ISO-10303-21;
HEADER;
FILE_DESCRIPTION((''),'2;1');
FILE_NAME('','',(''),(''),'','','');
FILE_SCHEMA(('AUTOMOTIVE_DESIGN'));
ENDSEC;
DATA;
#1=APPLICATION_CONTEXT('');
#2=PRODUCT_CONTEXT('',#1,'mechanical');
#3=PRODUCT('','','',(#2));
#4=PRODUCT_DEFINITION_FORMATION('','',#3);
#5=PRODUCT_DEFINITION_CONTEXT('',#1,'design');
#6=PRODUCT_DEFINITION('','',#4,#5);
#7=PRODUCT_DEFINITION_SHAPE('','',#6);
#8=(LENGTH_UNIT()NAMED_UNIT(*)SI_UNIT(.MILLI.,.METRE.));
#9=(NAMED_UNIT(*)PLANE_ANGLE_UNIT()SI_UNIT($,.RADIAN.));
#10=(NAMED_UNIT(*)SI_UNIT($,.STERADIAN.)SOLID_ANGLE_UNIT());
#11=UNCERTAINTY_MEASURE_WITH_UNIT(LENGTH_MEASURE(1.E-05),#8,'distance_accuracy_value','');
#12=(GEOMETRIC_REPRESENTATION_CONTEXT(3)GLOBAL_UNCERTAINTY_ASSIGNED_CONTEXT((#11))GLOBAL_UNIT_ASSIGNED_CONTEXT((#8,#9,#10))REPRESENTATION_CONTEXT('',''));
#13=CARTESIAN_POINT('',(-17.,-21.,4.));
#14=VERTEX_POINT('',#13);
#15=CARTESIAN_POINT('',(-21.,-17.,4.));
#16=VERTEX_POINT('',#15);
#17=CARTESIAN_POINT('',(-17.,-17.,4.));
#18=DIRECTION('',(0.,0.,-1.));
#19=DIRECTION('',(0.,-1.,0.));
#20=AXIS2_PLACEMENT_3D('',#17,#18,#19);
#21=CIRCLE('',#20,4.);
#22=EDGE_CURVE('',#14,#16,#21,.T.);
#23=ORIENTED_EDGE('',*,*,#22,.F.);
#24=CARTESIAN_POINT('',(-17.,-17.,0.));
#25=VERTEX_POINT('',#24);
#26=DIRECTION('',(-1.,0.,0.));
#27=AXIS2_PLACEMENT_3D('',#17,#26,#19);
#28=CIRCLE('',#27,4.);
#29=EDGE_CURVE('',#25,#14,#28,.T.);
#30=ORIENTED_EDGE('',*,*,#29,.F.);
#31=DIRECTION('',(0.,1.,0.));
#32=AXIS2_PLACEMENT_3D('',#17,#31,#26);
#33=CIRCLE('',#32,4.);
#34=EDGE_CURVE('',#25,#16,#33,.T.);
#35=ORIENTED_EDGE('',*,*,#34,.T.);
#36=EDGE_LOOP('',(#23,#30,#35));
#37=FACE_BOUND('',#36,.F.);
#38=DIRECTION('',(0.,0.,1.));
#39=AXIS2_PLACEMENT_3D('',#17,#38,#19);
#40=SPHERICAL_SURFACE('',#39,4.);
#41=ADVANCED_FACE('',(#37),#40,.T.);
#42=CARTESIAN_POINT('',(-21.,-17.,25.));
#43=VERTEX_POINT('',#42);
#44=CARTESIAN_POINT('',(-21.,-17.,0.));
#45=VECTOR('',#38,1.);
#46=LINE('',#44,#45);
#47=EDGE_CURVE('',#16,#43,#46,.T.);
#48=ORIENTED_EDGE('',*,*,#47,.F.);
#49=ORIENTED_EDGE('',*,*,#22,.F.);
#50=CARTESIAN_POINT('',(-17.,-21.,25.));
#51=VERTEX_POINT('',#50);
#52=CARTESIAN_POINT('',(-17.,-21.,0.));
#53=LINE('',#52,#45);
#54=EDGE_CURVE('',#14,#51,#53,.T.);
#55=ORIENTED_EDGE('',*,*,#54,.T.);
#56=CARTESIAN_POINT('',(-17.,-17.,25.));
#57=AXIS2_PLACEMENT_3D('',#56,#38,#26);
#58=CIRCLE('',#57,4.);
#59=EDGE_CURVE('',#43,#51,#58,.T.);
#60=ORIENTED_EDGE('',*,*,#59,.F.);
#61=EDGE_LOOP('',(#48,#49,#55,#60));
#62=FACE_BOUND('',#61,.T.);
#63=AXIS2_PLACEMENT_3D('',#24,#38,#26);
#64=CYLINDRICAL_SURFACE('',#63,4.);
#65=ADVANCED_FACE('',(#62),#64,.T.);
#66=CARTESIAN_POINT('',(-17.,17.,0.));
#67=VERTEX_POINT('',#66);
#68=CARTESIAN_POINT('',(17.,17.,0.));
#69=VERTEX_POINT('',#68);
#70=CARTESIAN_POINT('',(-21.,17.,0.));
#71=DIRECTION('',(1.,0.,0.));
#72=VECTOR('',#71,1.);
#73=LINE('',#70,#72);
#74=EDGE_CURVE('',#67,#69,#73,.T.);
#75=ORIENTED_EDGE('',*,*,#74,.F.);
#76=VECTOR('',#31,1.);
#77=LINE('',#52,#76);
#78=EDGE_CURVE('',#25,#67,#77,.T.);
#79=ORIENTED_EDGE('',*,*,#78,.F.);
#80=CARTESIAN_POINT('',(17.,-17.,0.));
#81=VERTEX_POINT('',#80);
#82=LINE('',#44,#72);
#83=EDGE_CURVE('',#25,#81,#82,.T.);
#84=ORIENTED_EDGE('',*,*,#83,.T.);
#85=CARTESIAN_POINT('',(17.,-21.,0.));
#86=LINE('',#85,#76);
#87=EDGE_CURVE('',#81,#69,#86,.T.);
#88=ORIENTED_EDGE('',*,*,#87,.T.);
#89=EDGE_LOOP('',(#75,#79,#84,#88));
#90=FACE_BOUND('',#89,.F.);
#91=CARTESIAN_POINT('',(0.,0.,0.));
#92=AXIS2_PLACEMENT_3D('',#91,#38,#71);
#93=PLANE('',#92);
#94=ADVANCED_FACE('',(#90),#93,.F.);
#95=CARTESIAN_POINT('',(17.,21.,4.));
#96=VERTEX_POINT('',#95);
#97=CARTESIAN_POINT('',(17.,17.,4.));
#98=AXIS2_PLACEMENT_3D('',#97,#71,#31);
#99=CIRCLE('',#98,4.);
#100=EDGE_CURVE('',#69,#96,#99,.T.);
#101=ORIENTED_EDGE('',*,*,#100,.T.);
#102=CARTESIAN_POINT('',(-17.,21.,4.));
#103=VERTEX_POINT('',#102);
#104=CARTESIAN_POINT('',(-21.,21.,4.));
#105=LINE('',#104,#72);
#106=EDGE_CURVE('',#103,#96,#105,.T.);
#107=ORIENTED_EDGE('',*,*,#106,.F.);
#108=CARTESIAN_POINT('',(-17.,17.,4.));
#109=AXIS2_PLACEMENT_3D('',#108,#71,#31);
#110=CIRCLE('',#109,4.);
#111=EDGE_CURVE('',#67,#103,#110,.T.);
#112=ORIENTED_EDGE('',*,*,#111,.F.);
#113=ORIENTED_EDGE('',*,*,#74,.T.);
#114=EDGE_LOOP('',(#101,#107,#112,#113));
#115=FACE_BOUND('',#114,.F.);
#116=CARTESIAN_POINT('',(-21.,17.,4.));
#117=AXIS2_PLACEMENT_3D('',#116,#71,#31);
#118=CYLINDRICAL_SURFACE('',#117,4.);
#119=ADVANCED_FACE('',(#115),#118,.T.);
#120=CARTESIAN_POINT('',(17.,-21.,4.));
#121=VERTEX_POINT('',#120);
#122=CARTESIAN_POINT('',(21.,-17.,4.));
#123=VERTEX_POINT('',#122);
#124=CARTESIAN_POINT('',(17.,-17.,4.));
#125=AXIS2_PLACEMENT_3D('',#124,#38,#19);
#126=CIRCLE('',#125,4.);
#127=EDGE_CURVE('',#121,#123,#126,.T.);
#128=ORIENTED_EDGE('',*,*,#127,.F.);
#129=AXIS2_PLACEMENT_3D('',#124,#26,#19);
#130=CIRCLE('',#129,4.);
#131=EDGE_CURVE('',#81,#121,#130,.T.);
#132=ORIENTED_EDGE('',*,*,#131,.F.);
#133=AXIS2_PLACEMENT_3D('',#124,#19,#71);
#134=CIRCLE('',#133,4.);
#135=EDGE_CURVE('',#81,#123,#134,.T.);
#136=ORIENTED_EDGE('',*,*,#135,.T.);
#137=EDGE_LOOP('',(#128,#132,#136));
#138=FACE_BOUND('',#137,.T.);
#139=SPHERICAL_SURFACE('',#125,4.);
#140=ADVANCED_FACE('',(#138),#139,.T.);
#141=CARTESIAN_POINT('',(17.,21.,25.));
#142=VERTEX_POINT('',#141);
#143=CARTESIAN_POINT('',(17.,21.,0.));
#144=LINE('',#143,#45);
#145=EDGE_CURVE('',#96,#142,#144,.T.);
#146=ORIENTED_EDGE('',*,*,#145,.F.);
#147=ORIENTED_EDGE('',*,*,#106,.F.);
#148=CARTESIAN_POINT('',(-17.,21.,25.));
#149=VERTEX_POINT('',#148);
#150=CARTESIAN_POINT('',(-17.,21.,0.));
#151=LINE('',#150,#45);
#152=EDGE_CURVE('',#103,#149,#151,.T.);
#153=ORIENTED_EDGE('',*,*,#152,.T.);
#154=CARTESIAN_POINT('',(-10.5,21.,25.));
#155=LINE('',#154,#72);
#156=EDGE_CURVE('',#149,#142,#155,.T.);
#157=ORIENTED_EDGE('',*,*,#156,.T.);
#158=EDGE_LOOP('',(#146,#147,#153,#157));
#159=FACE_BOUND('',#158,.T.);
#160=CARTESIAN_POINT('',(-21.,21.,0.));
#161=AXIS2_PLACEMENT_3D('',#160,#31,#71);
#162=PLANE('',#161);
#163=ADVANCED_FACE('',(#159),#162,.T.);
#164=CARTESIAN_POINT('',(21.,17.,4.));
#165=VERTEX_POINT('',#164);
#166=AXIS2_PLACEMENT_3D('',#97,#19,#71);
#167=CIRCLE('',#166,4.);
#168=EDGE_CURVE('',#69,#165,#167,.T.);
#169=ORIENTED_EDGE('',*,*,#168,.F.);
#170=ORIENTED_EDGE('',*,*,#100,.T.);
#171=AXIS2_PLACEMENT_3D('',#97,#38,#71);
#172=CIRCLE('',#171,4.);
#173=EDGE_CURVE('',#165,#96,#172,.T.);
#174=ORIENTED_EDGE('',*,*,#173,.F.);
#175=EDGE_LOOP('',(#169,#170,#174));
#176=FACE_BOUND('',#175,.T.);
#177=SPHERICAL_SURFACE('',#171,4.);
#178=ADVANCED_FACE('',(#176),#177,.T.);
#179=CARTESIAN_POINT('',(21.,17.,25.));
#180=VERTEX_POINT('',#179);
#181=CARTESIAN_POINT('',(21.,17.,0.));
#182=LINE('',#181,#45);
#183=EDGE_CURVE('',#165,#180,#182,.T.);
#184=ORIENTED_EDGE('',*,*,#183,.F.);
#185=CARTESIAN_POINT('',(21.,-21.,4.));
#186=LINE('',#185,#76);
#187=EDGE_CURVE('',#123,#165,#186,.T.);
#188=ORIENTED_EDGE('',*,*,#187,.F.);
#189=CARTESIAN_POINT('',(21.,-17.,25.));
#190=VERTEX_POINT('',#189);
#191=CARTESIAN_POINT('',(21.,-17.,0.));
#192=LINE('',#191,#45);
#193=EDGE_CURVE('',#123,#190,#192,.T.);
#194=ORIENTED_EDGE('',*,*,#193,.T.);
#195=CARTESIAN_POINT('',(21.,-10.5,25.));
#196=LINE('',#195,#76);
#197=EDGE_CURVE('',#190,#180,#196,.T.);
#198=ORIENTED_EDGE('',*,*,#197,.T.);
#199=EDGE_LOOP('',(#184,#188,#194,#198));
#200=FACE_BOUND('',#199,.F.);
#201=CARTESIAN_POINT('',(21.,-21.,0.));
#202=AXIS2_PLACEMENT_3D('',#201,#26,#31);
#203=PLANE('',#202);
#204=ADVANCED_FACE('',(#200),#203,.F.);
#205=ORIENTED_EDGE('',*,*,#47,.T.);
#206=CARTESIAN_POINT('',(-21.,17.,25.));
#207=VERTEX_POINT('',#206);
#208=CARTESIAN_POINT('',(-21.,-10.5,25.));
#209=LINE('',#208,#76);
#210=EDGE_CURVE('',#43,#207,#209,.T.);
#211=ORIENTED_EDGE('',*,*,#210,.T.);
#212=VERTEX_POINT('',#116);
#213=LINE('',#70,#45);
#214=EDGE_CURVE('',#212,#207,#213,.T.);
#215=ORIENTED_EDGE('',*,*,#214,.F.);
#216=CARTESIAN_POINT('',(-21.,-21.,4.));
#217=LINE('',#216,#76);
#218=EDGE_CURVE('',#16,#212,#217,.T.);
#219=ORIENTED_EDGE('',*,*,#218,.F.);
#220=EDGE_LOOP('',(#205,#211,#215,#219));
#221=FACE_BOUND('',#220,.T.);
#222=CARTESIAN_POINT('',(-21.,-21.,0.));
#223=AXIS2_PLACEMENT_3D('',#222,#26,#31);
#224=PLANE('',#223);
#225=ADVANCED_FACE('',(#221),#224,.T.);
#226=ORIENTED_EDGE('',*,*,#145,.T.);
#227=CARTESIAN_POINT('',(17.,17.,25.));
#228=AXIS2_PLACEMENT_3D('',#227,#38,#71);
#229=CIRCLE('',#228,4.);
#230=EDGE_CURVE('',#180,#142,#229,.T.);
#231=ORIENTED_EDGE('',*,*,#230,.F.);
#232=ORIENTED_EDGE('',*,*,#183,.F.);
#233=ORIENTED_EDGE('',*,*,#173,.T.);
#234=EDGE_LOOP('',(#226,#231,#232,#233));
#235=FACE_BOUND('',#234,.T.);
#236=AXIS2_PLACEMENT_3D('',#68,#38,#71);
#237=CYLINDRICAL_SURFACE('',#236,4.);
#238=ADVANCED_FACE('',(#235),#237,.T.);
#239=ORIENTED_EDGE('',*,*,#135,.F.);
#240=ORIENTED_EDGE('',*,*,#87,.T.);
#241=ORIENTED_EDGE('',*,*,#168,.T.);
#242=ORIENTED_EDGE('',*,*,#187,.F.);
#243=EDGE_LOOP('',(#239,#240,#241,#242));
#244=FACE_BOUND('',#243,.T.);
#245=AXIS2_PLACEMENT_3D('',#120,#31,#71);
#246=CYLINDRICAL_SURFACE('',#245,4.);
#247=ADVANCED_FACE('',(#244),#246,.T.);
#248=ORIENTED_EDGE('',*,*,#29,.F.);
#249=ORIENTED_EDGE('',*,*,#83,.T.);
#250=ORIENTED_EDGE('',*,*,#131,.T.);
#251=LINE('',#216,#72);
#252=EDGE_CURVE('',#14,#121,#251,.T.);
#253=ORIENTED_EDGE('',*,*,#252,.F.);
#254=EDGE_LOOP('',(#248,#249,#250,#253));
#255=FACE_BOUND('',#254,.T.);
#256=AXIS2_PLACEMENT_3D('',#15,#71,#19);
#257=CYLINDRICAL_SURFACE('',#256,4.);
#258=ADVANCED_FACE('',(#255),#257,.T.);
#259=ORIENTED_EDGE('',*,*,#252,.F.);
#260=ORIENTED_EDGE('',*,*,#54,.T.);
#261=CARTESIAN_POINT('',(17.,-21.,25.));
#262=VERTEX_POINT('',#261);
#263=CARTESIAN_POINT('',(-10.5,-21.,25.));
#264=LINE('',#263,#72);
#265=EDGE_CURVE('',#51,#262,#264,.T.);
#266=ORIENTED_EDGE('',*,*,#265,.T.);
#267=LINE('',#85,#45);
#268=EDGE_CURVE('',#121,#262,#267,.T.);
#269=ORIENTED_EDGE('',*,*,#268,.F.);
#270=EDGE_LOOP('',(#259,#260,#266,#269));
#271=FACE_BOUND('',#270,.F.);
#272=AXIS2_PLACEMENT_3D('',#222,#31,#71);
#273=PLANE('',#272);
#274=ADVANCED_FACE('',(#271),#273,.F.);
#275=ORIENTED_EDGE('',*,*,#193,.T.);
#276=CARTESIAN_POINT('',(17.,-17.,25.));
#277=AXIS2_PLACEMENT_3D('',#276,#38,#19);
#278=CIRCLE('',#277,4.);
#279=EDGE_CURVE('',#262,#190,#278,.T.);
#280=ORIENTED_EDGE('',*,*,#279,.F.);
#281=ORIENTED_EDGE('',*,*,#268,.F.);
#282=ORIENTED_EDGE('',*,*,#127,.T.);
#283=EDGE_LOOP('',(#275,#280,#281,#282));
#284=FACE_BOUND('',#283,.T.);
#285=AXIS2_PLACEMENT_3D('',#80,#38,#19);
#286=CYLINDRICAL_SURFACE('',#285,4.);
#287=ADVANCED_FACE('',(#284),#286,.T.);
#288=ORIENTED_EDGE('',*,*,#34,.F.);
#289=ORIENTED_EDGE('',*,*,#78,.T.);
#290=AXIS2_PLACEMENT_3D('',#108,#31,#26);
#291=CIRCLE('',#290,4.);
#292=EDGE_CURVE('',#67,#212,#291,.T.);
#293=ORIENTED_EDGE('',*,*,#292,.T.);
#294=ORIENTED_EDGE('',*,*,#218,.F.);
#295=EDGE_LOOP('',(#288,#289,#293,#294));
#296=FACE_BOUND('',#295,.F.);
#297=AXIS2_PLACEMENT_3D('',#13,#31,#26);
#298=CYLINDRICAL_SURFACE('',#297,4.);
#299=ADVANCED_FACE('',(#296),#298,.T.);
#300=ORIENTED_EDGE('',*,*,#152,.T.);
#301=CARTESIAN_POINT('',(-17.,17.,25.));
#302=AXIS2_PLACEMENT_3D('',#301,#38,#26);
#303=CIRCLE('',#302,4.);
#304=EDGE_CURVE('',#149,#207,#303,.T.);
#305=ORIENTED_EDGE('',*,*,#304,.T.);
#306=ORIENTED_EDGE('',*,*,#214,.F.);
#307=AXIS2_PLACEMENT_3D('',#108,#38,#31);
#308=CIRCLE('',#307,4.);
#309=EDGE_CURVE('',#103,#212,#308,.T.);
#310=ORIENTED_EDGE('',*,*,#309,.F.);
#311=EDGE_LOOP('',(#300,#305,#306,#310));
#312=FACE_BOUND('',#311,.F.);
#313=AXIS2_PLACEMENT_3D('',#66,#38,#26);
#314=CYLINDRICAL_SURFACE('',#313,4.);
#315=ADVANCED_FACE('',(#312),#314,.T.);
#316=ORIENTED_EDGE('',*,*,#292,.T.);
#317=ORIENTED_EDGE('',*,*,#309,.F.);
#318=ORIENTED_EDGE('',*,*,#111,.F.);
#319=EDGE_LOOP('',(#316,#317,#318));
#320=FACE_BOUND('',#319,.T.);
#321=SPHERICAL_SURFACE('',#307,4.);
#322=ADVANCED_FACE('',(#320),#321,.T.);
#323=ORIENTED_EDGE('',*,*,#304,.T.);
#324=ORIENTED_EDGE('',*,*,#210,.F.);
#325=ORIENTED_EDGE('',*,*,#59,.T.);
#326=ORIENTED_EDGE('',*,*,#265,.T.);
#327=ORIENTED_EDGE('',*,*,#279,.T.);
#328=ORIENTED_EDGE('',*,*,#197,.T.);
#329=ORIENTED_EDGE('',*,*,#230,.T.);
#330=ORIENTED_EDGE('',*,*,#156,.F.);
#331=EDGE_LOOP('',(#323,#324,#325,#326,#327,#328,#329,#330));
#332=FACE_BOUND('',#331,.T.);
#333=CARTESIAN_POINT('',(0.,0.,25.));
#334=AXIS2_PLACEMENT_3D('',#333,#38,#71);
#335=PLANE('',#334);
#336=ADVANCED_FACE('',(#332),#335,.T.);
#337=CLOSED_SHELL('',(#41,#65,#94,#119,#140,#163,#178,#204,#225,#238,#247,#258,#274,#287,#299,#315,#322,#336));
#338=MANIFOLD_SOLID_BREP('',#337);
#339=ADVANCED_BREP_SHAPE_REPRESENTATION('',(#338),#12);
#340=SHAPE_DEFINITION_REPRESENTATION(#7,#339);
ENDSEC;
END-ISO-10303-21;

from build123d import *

# Parameters (mm, degrees)
F0_W     = 42
F0_H     = 42
F1_DEPTH = 40
F2_R     = 4
F3_W     = 51.3974614441
F3_H     = 62.1256567538
F3_W_2   = 34
F3_H_2   = 34
F4_DEPTH = 15


with BuildPart() as f1:
    # F0 (on Top) → F1 (new body)
    with BuildSketch(Plane.XY):
        Rectangle(F0_W, F0_H)
    extrude(amount=F1_DEPTH)

    # F2
    f2_edges = [f1.edges().sort_by_distance(p)[0] for p in [
        (-21, -21, 20),
        (21, -21, 20),
        (0, -21, 0),
        (0, -21, 40),
        (21, 0, 40),
        (0, 21, 40),
        (-21, 0, 40),
        (21, 21, 20),
        (21, 0, 0),
        (-21, 21, 20),
        (0, 21, 0),
        (-21, 0, 0),
    ]]
    fillet(f2_edges, radius=F2_R)

    # F3 (on face) → F4 (cut)
    with BuildSketch(Plane.XY.offset(40)):
        Rectangle(F3_W, F3_H)
        Rectangle(F3_W_2, F3_H_2, mode=Mode.SUBTRACT)
        Rectangle(F3_W_2, F3_H_2)
    extrude(amount=-F4_DEPTH, mode=Mode.SUBTRACT)


solid = f1.part
